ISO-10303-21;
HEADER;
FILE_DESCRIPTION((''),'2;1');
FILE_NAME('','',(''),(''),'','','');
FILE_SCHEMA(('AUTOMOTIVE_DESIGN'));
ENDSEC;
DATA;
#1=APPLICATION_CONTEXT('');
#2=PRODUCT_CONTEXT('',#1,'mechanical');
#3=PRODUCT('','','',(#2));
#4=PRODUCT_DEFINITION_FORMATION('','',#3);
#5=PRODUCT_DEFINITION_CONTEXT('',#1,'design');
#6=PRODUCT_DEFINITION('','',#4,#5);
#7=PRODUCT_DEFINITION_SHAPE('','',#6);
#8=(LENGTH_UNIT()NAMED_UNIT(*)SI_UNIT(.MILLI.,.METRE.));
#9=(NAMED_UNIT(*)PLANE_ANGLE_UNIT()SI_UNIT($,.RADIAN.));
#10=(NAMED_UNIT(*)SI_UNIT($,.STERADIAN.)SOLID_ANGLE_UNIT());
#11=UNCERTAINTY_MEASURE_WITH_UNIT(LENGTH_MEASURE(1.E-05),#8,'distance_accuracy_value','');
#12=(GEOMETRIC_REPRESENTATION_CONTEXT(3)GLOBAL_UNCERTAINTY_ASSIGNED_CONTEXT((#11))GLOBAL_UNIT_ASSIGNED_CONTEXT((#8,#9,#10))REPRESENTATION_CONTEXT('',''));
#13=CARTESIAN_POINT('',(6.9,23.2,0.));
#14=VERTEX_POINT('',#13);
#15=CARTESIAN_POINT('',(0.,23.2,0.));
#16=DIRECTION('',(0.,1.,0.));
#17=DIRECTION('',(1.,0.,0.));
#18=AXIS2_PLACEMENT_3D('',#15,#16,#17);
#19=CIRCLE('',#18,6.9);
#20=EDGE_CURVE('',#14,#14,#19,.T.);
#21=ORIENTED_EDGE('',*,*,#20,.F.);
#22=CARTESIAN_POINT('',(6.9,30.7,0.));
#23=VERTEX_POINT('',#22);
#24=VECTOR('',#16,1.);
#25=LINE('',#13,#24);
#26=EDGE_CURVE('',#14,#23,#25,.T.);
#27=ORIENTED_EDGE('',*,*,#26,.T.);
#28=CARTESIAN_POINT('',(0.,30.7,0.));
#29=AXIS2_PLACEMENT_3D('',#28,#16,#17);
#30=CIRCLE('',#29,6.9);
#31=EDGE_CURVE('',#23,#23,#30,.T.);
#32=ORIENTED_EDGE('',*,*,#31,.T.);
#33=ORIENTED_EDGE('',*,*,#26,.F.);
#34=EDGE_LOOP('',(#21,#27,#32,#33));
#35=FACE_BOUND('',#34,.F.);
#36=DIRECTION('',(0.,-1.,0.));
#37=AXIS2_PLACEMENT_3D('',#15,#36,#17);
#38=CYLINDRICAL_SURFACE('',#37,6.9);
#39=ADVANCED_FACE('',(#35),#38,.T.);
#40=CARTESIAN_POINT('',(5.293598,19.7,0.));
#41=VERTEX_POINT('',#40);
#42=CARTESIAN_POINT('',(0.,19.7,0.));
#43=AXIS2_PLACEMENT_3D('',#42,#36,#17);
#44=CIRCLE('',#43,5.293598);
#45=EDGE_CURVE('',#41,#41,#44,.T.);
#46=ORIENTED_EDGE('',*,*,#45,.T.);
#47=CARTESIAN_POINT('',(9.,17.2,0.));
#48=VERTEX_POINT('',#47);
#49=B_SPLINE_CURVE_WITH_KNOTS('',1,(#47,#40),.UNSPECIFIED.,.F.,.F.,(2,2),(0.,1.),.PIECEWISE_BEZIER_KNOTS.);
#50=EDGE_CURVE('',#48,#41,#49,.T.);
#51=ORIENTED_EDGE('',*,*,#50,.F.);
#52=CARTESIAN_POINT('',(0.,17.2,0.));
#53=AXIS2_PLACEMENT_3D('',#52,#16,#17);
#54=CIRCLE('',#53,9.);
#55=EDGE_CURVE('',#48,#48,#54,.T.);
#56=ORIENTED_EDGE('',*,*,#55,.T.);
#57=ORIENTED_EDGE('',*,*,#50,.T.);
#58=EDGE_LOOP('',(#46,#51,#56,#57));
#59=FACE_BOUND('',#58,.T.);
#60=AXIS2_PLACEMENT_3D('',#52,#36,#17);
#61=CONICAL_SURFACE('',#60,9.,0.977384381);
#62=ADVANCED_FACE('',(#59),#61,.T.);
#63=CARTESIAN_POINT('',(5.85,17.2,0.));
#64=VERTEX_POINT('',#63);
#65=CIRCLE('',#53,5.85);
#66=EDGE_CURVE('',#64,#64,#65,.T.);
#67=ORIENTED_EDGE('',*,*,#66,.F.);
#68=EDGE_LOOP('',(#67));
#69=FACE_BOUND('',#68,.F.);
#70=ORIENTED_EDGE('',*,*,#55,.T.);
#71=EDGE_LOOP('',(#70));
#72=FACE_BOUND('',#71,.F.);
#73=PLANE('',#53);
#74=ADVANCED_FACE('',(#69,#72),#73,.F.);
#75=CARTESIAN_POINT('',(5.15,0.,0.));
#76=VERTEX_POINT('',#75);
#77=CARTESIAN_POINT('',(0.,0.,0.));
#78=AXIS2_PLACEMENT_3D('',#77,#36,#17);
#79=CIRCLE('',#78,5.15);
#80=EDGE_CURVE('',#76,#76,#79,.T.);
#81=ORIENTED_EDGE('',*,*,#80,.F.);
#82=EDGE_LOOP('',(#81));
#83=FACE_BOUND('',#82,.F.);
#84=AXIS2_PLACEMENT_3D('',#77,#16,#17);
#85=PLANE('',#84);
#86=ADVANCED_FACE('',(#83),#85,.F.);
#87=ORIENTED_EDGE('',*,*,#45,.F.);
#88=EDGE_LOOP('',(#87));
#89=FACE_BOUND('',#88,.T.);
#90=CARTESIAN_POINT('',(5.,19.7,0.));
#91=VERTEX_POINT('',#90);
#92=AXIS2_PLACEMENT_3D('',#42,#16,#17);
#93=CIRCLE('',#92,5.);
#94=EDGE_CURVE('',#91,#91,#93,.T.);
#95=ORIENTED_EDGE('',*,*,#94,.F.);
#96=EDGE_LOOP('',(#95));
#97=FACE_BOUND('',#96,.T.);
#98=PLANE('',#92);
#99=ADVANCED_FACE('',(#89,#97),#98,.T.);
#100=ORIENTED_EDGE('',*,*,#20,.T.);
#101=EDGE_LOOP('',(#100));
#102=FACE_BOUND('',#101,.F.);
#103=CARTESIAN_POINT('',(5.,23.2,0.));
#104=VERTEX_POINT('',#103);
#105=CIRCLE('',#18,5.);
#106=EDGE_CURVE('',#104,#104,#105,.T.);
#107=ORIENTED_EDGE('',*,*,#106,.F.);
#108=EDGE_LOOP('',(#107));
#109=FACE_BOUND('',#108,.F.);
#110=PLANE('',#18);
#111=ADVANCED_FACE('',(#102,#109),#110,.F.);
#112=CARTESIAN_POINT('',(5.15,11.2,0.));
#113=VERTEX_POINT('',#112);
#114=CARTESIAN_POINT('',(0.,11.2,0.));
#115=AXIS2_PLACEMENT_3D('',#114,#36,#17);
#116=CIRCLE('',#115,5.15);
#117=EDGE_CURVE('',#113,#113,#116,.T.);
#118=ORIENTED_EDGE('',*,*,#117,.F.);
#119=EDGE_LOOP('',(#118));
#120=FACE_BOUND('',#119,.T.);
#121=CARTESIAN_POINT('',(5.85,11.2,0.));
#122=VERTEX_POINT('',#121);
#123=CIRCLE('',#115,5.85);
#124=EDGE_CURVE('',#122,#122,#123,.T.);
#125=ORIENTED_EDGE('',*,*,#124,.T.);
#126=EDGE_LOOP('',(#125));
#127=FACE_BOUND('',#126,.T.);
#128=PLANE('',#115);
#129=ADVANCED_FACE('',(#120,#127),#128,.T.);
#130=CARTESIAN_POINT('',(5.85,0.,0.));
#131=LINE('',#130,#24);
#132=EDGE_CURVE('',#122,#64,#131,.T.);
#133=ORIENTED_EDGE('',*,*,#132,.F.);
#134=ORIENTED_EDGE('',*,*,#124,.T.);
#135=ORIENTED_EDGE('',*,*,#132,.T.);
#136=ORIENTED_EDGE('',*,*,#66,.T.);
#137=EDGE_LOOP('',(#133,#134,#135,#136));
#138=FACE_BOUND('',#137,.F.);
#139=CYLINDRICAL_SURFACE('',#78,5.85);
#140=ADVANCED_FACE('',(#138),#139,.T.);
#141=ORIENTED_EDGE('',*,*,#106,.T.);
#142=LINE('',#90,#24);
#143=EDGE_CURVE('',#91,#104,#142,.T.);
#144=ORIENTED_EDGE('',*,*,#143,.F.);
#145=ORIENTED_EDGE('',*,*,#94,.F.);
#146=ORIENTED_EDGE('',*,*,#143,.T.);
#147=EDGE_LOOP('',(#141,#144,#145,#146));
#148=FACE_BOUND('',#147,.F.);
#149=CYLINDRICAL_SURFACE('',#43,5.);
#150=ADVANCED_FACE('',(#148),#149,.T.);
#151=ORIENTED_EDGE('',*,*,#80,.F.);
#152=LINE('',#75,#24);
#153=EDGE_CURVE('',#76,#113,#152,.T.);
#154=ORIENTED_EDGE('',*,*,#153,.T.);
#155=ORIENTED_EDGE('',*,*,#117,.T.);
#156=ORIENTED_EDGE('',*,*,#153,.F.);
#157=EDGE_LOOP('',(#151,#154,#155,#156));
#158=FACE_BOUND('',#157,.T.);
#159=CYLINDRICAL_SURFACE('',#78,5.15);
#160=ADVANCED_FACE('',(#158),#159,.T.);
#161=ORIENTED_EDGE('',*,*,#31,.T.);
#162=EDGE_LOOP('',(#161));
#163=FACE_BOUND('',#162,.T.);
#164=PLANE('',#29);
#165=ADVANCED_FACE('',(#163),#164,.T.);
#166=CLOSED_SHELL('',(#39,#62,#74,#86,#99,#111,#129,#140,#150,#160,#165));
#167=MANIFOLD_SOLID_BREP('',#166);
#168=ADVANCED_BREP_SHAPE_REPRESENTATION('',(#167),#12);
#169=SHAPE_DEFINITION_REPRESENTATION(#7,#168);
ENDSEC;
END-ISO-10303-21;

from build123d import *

# Parameters (mm, degrees)
SKETCH1_R           = 5.85
BOSS_EXTRUDE1_DEPTH = 17.2
SKETCH2_R           = 9
BOSS_EXTRUDE2_DEPTH = 2.5
BOSS_EXTRUDE2_TAPER = 56
SKETCH3_R           = 5
BOSS_EXTRUDE3_DEPTH = 3.5
SKETCH4_R           = 6.9
BOSS_EXTRUDE4_DEPTH = 7.5
SKETCH5_OUTSIDE_W   = 27.976
SKETCH5_OUTSIDE_H   = 27.976
SKETCH5_OUTSIDE_R   = 5.15
CUT_EXTRUDE1_DEPTH  = 11.2


with BuildPart() as part:
    # Sketch1 → Boss-Extrude1 (new body)
    with BuildSketch(Plane(origin=(0, 0, 0), x_dir=(1, 0, 0), z_dir=(0, 1, 0))):
        Circle(SKETCH1_R)
    extrude(amount=BOSS_EXTRUDE1_DEPTH)

    # Sketch2 → Boss-Extrude2 (add)
    with BuildSketch(Plane(origin=(0, 17.2, 0), x_dir=(1, 0, 0), z_dir=(0, 1, 0))):
        Circle(SKETCH2_R)
    extrude(amount=BOSS_EXTRUDE2_DEPTH, taper=BOSS_EXTRUDE2_TAPER)

    # Sketch3 → Boss-Extrude3 (add)
    with BuildSketch(Plane(origin=(0, 19.7, 0), x_dir=(1, 0, 0), z_dir=(0, 1, 0))):
        Circle(SKETCH3_R)
    extrude(amount=BOSS_EXTRUDE3_DEPTH)

    # Sketch4 → Boss-Extrude4 (add)
    with BuildSketch(Plane(origin=(0, 23.2, 0), x_dir=(1, 0, 0), z_dir=(0, 1, 0))):
        Circle(SKETCH4_R)
    extrude(amount=BOSS_EXTRUDE4_DEPTH)

    # Sketch5 outside → Cut-Extrude1 (cut)
    with BuildSketch(Plane.XZ):
        Rectangle(SKETCH5_OUTSIDE_W, SKETCH5_OUTSIDE_H)
        Circle(SKETCH5_OUTSIDE_R, mode=Mode.SUBTRACT)
    extrude(amount=-CUT_EXTRUDE1_DEPTH, mode=Mode.SUBTRACT)


solid = part.part
